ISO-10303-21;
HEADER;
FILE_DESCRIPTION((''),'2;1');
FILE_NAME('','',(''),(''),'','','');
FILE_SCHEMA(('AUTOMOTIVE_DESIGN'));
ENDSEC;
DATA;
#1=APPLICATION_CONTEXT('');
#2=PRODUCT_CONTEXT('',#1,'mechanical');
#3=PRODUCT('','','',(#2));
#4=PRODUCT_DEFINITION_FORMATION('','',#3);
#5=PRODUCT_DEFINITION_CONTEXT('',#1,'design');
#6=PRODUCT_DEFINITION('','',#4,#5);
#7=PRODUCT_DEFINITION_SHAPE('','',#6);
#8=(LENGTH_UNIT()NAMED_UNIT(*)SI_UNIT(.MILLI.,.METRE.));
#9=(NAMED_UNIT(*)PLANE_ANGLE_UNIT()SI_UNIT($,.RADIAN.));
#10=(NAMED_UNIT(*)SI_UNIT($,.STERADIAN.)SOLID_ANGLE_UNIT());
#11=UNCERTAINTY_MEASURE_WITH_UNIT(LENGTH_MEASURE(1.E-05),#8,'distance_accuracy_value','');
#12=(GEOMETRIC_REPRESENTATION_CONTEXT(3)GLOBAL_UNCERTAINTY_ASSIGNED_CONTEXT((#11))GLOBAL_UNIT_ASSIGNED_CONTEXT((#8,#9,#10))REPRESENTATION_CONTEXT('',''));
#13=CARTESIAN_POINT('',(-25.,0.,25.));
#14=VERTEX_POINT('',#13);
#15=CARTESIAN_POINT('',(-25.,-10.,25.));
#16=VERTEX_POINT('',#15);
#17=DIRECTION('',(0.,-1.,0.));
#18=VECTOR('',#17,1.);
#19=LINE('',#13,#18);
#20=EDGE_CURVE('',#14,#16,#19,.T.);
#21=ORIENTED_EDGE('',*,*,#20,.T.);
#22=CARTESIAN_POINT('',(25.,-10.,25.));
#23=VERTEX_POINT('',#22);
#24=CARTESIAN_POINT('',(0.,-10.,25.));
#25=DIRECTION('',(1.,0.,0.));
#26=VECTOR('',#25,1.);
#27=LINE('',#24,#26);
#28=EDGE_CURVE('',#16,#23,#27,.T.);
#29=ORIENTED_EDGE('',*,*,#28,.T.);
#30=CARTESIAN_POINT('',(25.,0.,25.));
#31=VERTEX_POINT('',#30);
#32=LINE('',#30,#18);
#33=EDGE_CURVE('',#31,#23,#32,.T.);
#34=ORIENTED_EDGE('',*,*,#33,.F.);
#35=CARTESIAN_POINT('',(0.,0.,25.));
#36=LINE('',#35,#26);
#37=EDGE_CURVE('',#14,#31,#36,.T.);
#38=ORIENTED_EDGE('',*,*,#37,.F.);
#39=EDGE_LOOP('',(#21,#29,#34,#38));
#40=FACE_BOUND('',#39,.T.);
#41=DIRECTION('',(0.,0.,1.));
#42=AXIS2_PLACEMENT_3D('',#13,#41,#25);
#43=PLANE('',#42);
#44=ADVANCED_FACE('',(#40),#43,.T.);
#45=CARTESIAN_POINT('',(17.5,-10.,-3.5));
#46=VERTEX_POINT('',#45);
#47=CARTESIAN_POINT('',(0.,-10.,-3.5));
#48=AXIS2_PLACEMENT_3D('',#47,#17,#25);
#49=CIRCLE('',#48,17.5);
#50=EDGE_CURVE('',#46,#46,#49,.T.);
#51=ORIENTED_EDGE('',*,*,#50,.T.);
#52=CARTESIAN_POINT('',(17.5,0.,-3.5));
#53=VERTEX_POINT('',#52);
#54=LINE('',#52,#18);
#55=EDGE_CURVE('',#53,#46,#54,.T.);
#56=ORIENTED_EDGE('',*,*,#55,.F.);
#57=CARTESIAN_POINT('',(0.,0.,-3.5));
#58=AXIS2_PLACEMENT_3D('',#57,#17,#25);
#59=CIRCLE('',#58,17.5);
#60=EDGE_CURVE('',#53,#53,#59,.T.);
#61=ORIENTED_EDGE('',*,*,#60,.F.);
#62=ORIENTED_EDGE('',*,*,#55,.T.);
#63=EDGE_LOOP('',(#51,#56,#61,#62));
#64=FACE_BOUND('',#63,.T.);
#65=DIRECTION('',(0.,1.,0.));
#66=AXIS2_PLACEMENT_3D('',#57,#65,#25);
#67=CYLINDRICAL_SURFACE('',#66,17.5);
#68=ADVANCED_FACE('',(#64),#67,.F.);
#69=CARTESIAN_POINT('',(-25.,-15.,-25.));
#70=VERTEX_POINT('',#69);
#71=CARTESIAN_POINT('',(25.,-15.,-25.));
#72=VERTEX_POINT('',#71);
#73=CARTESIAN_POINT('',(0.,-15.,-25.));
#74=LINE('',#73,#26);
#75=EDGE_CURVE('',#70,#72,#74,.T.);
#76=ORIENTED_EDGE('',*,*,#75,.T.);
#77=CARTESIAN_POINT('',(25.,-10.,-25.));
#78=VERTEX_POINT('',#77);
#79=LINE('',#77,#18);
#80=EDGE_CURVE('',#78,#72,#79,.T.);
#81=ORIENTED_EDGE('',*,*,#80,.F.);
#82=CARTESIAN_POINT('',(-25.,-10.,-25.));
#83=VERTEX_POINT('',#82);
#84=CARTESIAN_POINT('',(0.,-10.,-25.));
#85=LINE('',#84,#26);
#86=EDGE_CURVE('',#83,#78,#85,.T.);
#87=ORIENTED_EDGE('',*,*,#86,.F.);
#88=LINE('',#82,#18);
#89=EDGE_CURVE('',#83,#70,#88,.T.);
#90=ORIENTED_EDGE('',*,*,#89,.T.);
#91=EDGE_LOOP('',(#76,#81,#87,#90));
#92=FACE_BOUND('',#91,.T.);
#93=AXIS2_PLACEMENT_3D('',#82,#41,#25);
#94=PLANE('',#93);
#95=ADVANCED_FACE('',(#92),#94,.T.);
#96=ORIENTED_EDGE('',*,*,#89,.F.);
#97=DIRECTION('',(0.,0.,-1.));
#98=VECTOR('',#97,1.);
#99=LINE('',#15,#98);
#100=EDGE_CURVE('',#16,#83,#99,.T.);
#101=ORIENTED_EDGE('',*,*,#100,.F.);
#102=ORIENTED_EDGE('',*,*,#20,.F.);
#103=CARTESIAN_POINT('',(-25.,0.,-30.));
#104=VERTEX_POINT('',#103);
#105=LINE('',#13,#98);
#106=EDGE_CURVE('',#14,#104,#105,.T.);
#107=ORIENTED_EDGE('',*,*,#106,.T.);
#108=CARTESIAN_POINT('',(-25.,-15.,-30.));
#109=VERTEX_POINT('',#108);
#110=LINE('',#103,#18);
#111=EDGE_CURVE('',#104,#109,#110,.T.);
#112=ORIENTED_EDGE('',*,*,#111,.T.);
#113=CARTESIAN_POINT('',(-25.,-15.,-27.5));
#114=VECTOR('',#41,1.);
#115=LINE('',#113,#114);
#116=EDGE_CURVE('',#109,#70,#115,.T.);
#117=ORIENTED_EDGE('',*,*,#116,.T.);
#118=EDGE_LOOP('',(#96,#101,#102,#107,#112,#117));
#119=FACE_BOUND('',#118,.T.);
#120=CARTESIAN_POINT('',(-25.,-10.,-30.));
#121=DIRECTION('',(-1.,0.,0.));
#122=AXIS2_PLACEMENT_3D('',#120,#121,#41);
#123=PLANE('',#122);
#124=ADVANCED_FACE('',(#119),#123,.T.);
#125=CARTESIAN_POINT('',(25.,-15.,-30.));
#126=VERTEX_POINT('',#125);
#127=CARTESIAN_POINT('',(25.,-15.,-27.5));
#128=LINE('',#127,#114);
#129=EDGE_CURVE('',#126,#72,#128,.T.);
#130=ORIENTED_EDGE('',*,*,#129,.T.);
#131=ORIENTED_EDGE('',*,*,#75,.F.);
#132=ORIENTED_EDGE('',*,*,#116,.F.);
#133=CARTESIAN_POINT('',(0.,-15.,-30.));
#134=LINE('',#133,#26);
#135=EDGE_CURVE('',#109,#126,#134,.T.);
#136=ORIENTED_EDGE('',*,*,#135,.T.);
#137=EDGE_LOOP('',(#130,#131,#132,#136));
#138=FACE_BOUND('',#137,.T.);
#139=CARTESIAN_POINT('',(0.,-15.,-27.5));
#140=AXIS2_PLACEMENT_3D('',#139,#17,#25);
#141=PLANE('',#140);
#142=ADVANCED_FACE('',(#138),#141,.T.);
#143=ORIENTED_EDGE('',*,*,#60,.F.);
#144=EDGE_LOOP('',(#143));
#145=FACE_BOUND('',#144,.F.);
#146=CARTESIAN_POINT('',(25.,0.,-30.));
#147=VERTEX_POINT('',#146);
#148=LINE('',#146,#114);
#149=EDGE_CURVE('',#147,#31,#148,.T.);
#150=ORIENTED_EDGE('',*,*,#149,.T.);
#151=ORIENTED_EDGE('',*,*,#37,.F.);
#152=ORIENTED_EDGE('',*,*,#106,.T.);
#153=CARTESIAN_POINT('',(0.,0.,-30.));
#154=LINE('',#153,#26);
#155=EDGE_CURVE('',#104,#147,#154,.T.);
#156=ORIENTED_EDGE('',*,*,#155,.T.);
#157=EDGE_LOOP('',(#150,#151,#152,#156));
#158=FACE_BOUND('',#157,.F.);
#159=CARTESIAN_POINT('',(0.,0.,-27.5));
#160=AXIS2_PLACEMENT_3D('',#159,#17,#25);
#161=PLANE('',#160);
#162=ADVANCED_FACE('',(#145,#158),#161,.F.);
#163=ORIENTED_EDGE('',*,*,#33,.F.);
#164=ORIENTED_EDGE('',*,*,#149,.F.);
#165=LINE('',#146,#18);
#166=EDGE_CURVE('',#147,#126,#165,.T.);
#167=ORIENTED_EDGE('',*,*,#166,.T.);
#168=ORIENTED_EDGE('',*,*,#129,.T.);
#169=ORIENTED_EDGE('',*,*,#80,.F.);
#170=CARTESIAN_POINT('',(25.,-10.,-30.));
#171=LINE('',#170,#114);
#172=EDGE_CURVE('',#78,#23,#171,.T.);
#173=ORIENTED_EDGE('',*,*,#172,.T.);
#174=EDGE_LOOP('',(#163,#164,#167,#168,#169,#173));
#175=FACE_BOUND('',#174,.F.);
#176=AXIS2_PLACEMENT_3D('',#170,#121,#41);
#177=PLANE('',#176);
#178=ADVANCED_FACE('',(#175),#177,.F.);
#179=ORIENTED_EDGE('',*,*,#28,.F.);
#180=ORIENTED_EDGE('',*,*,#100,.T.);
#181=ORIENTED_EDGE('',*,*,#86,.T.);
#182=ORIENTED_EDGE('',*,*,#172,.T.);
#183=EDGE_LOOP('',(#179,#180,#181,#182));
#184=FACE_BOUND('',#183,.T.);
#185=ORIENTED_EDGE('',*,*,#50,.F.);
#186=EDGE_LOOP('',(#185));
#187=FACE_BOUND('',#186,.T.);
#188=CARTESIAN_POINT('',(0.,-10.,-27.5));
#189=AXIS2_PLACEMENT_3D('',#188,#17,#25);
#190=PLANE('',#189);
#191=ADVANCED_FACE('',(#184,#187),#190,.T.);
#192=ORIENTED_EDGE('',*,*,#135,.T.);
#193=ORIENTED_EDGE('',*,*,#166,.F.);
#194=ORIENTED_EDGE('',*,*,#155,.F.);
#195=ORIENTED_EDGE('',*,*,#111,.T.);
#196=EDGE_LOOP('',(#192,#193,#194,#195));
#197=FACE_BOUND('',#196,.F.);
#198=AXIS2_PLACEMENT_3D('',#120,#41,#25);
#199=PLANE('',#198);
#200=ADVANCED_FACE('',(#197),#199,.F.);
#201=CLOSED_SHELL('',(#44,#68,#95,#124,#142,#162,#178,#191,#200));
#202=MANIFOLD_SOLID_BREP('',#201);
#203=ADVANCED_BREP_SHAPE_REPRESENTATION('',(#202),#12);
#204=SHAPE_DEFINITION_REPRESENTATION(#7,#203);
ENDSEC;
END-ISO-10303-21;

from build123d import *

# Parameters (mm, degrees)
F0_W     = 50
F0_H     = 5
F0_H_2   = 50
F0_R     = 17.5
F1_DEPTH = 10
F2_W     = 50
F2_H     = 5
F3_DEPTH = 5


with BuildPart() as f1:
    # F0 (on Front) → F1 (new body)
    with BuildSketch(Plane.XZ):
        with Locations((0, -27.5)):
            Rectangle(F0_W, F0_H)
        Rectangle(F0_W, F0_H_2)
        with Locations((0, -3.5)):
            Circle(F0_R, mode=Mode.SUBTRACT)
    extrude(amount=F1_DEPTH)

    # F2 (on face) → F3 (join)
    with BuildSketch(Plane.XZ.offset(10)):
        with Locations((0, -27.5)):
            Rectangle(F2_W, F2_H)
    extrude(amount=F3_DEPTH)


solid = f1.part
